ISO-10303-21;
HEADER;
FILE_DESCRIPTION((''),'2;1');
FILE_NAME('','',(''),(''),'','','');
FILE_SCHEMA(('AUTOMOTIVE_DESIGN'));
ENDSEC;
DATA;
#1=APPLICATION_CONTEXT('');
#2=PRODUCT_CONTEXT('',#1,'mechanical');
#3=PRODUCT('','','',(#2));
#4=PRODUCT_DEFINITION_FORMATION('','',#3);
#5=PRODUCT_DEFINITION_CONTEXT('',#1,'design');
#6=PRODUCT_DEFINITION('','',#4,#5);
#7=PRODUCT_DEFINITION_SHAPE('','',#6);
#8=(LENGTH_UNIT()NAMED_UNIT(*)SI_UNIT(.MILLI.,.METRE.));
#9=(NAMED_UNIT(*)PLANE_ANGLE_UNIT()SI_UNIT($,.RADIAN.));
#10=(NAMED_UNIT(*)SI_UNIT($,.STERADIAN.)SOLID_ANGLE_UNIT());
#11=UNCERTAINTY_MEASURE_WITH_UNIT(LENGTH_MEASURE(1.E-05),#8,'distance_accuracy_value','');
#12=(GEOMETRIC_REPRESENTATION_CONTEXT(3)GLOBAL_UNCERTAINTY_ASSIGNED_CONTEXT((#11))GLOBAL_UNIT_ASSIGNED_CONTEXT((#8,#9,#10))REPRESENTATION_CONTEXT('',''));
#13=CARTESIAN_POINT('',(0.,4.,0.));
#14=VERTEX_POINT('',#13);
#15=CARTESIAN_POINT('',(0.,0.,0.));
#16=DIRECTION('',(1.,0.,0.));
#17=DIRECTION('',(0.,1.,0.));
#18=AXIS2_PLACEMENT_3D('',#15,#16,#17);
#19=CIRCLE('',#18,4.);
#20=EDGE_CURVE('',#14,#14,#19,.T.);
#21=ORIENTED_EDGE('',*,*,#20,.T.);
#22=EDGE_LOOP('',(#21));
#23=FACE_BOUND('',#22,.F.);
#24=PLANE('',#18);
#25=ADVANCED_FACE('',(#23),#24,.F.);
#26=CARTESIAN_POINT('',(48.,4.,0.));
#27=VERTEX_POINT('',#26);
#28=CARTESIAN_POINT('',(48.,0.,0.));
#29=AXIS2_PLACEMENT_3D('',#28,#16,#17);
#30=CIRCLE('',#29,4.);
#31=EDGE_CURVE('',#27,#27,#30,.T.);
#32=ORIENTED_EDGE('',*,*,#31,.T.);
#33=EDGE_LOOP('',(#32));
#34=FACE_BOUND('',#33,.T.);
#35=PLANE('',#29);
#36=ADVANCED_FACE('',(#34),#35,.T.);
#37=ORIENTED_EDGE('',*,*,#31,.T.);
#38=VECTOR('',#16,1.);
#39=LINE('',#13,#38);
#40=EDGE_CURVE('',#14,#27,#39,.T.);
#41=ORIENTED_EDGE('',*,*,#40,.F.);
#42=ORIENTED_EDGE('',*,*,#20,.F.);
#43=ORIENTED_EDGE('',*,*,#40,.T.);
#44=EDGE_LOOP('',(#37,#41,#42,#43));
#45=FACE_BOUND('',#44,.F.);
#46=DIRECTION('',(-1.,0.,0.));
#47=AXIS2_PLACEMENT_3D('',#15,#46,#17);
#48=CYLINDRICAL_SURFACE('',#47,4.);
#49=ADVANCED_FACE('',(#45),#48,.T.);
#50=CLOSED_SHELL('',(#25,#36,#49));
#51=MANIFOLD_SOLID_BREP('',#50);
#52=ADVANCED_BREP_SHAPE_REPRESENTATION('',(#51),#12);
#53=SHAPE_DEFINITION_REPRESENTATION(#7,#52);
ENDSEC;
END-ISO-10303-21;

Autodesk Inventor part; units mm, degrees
ref_plane "YZ Plane" through (0, 0, 0) normal (1, 0, 0) x (0, 1, 0)
ref_plane "XZ Plane" through (0, 0, 0) normal (0, 1, 0) x (-1, 0, 0)
ref_plane "XY Plane" through (0, 0, 0) normal (0, 0, 1) x (1, 0, 0)
sketch "スケッチ1" plane through (0, 0, 0) normal (1, 0, 0) x (0, 1, 0)
  circle A0 centre (0, 0) radius 4
  dimension "d0" = 8
extrude "押し出し1" add sketch "スケッチ1" along normal blind 48
properties part number "dribl-v1-Shaft-4" material "アルミニウム 6061"
